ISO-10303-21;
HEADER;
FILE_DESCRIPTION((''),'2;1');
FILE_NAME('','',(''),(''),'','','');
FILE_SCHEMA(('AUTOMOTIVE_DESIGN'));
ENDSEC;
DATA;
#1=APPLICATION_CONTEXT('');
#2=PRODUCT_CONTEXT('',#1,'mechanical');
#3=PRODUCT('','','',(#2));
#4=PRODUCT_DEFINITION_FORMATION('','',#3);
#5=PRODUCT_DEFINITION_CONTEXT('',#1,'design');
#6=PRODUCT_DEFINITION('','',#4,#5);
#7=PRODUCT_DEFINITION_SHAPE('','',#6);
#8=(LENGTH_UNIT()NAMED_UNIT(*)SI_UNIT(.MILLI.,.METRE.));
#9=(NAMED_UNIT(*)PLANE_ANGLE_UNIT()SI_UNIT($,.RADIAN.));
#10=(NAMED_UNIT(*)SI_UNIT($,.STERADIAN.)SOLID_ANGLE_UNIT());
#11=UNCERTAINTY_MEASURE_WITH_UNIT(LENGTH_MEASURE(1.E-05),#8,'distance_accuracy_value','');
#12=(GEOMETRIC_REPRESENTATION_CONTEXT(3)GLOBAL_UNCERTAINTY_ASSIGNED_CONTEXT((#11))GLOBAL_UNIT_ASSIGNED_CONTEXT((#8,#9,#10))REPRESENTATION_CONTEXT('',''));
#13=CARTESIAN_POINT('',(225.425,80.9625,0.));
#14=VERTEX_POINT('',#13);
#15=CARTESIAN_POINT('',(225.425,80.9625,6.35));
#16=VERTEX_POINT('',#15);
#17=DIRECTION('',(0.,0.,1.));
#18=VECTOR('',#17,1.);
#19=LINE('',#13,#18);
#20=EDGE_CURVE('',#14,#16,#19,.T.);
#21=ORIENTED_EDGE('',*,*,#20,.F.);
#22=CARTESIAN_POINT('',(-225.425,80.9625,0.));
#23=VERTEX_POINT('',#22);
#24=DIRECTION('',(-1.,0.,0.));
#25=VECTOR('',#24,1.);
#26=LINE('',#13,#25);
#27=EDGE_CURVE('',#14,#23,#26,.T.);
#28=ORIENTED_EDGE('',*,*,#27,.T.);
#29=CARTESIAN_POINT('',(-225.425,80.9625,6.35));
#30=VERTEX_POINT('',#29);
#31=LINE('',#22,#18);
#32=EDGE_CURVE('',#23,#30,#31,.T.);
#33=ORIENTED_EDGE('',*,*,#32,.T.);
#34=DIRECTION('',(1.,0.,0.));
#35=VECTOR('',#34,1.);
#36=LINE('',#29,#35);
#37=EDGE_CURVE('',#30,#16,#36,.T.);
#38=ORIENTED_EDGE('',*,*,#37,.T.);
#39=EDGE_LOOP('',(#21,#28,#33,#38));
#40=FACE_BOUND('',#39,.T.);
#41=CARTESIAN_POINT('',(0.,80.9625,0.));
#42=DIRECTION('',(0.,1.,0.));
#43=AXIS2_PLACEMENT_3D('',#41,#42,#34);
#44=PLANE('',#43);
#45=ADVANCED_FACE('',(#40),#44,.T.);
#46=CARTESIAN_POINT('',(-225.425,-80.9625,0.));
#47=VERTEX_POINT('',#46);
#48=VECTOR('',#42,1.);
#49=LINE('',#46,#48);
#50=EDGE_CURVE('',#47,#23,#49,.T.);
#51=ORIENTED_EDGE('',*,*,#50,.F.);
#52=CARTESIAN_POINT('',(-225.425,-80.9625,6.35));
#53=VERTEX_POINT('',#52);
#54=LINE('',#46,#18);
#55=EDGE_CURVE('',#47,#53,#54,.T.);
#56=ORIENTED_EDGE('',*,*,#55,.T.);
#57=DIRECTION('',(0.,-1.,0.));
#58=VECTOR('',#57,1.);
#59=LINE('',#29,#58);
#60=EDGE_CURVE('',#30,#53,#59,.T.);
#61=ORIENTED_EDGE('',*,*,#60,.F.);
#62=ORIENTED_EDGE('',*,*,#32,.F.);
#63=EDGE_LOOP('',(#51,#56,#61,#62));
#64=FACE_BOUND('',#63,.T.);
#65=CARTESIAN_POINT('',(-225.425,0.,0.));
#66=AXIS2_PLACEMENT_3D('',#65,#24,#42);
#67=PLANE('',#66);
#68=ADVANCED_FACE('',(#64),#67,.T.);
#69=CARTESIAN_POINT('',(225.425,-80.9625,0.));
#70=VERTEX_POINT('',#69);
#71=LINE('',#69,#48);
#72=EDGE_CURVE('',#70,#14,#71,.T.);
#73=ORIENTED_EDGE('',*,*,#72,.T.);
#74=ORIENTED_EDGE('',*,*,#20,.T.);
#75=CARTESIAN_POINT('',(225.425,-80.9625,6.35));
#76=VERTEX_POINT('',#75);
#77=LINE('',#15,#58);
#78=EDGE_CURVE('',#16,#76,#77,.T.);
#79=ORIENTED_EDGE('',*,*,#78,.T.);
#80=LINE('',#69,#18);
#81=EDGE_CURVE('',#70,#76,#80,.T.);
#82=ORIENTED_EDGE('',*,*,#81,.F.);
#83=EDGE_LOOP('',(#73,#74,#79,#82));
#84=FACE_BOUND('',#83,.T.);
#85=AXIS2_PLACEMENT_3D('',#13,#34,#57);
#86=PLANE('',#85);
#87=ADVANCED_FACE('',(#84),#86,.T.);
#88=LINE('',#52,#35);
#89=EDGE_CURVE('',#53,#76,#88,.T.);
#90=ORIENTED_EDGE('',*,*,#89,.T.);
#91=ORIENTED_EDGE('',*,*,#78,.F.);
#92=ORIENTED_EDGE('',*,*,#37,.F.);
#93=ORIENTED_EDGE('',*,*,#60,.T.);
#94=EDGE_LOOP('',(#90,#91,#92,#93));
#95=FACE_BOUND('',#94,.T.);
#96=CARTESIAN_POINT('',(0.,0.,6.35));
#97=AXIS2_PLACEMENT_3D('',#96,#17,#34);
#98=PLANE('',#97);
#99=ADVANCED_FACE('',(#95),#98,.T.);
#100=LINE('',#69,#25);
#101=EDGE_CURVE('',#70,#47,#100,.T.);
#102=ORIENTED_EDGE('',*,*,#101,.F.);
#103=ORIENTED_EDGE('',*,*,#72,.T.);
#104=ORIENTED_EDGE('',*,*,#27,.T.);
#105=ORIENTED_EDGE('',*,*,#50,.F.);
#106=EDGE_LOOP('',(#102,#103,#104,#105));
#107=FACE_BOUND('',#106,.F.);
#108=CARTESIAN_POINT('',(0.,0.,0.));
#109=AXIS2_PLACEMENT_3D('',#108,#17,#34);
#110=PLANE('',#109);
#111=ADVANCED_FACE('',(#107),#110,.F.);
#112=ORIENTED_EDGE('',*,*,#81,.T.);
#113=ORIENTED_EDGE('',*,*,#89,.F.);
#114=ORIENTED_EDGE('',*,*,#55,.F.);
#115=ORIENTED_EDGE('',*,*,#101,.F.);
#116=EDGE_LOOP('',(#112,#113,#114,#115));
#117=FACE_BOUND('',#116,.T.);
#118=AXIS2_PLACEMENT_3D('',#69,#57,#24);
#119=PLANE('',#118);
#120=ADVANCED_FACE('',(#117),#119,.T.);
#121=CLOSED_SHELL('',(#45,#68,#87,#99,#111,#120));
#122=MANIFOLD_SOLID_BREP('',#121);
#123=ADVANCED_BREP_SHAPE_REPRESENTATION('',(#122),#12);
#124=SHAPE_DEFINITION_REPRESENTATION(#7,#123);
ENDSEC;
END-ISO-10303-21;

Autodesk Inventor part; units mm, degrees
ref_plane "YZ Plane" through (0, 0, 0) normal (1, 0, 0) x (0, 1, 0)
ref_plane "XZ Plane" through (0, 0, 0) normal (0, 1, 0) x (-1, 0, 0)
ref_plane "XY Plane" through (0, 0, 0) normal (0, 0, 1) x (1, 0, 0)
sketch "Sketch1" plane through (0, 0, 0) normal (0, 0, 1) x (1, 0, 0)
  line L0 (0, 113.3475) -> (0, -113.3475) projected
  line L1 (-315.595, 0) -> (315.595, 0) projected
  line L2 (225.425, -80.9625) -> (-225.425, -80.9625)
  line L3 (-225.425, -80.9625) -> (-225.425, 80.9625)
  line L4 (-225.425, 80.9625) -> (225.425, 80.9625)
  line L5 (225.425, 80.9625) -> (225.425, -80.9625)
  line L6 (225.425, -80.9625) -> (-225.425, 80.9625) construction
  line L7 (-225.425, -80.9625) -> (225.425, 80.9625) construction
  point P0 (0, 0)
  dimension "d0" = 450.85
  dimension "d1" = 161.925
extrude "Extrusion1" add sketch "Sketch1" along normal blind 6.35
properties part number "N/A" material "ACRYLIC, CLEAR"
